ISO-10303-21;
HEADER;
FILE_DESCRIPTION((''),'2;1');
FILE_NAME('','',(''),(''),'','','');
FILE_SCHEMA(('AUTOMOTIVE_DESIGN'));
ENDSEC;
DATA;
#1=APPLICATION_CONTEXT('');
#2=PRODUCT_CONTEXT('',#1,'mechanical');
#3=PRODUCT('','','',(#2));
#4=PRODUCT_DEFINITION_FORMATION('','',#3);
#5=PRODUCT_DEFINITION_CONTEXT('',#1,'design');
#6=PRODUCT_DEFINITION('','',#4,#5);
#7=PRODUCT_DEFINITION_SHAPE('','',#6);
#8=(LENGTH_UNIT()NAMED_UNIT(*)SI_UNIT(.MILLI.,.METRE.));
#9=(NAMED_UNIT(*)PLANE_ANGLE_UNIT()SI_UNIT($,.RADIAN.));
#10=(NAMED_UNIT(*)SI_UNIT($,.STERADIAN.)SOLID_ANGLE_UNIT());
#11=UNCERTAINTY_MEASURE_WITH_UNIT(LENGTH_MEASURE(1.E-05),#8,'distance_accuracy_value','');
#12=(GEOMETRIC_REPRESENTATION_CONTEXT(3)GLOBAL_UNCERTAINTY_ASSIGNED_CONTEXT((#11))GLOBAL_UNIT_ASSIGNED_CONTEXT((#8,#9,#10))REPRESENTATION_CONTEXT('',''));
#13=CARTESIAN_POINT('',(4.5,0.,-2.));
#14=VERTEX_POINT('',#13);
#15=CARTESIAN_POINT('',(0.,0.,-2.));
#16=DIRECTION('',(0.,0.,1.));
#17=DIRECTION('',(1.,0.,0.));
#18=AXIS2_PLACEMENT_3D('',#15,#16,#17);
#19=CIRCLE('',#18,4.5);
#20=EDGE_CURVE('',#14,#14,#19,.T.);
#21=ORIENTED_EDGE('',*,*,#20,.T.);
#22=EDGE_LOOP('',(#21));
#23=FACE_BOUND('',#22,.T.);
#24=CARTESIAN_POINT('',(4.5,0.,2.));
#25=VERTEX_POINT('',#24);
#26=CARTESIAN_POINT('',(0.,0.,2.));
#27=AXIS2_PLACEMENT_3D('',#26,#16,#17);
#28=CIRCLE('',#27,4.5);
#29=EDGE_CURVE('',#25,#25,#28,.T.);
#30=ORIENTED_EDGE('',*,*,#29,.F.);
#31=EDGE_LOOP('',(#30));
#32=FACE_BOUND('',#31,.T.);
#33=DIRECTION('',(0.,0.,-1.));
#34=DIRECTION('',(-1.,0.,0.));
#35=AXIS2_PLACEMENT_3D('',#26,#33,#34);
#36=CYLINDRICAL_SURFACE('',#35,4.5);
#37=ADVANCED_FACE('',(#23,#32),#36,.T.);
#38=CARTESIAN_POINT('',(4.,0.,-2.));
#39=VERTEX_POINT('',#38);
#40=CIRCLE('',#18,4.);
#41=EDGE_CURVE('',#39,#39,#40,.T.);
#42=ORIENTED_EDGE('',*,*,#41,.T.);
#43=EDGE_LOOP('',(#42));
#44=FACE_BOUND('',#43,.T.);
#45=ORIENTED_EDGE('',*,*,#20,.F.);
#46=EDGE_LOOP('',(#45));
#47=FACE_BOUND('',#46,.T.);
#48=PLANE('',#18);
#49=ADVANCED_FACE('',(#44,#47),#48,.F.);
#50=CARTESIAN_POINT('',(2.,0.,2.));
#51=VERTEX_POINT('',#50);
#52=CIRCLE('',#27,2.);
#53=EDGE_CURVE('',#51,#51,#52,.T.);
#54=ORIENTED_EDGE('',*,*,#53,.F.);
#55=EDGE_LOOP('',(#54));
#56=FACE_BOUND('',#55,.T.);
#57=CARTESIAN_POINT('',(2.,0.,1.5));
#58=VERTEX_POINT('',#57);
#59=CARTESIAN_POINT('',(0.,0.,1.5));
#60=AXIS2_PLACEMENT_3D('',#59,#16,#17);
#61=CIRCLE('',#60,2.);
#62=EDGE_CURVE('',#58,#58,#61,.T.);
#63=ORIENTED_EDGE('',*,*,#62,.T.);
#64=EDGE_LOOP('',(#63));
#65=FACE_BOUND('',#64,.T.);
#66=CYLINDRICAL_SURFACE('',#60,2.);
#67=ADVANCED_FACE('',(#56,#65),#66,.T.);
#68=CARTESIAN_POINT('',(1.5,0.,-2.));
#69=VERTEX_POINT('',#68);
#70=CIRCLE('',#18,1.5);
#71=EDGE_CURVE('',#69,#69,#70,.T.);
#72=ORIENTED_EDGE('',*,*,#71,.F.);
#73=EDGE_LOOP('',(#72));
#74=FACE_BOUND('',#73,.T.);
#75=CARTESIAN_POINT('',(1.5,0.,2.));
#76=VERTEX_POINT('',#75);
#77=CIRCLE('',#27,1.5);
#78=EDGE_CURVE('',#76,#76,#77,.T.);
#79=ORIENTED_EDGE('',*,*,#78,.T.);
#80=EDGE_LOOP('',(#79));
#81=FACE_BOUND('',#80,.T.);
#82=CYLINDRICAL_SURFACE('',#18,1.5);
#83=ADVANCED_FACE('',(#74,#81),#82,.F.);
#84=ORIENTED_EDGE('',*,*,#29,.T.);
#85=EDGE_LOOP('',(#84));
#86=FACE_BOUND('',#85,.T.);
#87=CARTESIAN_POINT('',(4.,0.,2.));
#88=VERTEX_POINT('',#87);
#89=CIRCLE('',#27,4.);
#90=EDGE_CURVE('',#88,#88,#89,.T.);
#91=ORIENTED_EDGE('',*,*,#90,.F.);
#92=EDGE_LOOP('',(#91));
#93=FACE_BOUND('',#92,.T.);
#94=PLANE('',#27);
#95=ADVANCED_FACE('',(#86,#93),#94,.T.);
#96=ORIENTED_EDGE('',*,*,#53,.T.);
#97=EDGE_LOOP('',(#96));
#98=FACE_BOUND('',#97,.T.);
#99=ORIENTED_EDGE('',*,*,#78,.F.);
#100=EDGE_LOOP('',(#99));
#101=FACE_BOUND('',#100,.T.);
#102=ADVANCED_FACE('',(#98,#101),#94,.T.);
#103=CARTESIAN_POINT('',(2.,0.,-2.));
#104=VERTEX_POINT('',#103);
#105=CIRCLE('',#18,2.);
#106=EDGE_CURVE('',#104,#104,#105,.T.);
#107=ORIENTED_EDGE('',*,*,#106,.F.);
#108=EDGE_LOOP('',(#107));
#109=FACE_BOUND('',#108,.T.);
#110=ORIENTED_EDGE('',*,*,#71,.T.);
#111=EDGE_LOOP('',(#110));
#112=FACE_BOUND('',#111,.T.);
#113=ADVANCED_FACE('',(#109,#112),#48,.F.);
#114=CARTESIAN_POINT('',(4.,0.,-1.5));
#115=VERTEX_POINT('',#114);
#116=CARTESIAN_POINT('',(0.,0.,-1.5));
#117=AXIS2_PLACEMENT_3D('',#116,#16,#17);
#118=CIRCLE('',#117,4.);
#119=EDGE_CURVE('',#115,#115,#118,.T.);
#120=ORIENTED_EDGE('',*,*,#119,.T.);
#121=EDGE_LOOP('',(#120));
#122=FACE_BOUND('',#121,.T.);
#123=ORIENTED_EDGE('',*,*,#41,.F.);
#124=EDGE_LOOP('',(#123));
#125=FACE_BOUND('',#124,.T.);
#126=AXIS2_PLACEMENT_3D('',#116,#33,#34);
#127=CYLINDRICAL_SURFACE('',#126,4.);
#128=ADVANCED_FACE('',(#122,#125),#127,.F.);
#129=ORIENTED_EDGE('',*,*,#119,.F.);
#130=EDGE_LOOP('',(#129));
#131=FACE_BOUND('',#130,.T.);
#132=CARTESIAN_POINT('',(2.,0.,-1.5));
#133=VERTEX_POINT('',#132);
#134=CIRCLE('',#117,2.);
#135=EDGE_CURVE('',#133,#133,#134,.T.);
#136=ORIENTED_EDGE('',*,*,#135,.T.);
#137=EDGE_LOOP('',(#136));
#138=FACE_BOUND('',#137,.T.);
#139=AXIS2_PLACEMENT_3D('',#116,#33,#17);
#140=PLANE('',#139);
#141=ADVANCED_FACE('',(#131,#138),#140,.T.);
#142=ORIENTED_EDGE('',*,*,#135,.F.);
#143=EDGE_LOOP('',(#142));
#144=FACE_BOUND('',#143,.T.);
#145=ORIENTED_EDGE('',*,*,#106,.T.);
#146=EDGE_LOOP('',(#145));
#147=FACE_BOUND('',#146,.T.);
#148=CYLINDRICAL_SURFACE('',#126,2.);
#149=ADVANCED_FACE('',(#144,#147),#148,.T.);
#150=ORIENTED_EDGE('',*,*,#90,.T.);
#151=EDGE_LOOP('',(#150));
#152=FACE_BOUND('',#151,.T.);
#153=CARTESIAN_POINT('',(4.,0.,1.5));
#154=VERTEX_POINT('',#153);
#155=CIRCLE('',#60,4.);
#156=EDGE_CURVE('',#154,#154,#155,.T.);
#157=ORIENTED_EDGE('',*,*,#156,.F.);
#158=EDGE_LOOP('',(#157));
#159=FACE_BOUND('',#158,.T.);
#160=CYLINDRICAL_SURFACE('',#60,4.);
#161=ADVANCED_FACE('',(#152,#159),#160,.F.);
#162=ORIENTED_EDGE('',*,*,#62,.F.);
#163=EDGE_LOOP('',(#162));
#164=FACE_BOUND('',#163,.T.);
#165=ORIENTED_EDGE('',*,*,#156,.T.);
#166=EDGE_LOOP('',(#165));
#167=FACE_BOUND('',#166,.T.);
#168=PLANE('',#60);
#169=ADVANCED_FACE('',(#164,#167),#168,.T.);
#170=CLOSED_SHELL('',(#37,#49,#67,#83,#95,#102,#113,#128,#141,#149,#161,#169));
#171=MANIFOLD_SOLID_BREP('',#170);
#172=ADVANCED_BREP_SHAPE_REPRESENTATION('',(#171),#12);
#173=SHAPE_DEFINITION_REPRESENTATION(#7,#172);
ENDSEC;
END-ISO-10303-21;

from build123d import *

# Parameters (mm, degrees)
SKETCH_1_R          = 4.5
EXTRUDE_1_DEPTH     = 2
SKETCH_2_R          = 1.5
CUT_EXTRUDE_1_DEPTH = 5
SKETCH_3_R          = 4
SKETCH_3_R_2        = 2
CUT_EXTRUDE_2_DEPTH = 0.5


with BuildPart() as part:
    # 草圖1 → 填料-伸長1 (new body, symmetric)
    with BuildSketch(Plane.XY):
        Circle(SKETCH_1_R)
    extrude(amount=EXTRUDE_1_DEPTH, both=True)

    # 草圖2 → 除料-伸長1 (cut, through all)
    with BuildSketch(Plane.XY.offset(2)):
        Circle(SKETCH_2_R)
    extrude(amount=-CUT_EXTRUDE_1_DEPTH, mode=Mode.SUBTRACT)

    # 草圖3 → 除料-伸長2 (cut)
    with BuildSketch(Plane.XY.offset(2)):
        Circle(SKETCH_3_R)
        Circle(SKETCH_3_R_2, mode=Mode.SUBTRACT)
    cut_extrude_2 = extrude(amount=-CUT_EXTRUDE_2_DEPTH, mode=Mode.SUBTRACT)

    # 鏡射1: 除料-伸長2 across plane
    add(cut_extrude_2.mirror(Plane.XY), mode=Mode.SUBTRACT)


solid = part.part
